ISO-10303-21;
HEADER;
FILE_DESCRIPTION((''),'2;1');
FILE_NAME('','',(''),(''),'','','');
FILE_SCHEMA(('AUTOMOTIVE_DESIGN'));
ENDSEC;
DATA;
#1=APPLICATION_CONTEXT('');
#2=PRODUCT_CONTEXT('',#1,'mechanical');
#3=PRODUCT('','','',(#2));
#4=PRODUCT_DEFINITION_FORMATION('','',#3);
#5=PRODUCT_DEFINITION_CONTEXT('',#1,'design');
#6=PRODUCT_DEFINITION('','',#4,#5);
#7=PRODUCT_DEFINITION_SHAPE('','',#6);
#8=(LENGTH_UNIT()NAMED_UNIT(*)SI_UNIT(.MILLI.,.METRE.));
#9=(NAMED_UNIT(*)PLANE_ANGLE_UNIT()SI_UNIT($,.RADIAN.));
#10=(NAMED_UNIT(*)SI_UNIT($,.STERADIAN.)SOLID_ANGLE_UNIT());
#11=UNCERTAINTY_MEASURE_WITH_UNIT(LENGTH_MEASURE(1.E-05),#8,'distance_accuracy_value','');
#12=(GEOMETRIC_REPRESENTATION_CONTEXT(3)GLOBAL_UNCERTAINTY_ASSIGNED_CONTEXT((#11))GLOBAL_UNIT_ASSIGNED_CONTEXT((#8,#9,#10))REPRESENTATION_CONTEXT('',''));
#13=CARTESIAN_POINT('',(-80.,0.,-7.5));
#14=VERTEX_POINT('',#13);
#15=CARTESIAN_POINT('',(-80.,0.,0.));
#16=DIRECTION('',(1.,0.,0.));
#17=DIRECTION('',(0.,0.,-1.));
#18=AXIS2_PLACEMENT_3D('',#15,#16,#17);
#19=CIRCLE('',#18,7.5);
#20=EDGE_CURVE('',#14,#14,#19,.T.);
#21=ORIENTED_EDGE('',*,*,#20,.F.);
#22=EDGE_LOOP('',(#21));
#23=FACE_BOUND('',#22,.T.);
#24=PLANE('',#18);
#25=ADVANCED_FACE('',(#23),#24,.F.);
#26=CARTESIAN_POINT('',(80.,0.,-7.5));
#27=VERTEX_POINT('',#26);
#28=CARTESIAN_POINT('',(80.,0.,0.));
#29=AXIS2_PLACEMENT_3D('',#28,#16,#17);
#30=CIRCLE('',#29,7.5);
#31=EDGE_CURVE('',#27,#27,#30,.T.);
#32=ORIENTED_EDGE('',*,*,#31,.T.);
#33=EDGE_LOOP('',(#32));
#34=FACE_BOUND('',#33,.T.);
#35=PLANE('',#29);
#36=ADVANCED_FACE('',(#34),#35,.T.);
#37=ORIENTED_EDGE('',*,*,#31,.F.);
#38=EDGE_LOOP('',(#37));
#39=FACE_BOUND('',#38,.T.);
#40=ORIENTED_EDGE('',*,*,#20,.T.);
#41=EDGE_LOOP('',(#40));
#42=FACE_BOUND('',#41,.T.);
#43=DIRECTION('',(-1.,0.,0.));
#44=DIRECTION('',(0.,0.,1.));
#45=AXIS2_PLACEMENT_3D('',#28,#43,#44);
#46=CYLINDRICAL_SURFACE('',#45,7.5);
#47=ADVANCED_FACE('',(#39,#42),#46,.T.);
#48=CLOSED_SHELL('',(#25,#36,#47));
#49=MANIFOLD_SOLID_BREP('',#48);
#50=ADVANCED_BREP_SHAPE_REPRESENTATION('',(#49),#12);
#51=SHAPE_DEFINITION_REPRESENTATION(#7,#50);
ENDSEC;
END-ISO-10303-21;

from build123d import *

# Parameters (mm, degrees)
ESBO_O1_R                = 7.5
RESSALTO_EXTRUS_O1_DEPTH = 80


with BuildPart() as part:
    # Esboço1 → Ressalto-extrusão1 (new, symmetric)
    with BuildSketch(Plane(origin=(0, 0, 0), x_dir=(0, 0, -1), z_dir=(1, 0, 0))):
        Circle(ESBO_O1_R)
    extrude(amount=RESSALTO_EXTRUS_O1_DEPTH, both=True)


solid = part.part
